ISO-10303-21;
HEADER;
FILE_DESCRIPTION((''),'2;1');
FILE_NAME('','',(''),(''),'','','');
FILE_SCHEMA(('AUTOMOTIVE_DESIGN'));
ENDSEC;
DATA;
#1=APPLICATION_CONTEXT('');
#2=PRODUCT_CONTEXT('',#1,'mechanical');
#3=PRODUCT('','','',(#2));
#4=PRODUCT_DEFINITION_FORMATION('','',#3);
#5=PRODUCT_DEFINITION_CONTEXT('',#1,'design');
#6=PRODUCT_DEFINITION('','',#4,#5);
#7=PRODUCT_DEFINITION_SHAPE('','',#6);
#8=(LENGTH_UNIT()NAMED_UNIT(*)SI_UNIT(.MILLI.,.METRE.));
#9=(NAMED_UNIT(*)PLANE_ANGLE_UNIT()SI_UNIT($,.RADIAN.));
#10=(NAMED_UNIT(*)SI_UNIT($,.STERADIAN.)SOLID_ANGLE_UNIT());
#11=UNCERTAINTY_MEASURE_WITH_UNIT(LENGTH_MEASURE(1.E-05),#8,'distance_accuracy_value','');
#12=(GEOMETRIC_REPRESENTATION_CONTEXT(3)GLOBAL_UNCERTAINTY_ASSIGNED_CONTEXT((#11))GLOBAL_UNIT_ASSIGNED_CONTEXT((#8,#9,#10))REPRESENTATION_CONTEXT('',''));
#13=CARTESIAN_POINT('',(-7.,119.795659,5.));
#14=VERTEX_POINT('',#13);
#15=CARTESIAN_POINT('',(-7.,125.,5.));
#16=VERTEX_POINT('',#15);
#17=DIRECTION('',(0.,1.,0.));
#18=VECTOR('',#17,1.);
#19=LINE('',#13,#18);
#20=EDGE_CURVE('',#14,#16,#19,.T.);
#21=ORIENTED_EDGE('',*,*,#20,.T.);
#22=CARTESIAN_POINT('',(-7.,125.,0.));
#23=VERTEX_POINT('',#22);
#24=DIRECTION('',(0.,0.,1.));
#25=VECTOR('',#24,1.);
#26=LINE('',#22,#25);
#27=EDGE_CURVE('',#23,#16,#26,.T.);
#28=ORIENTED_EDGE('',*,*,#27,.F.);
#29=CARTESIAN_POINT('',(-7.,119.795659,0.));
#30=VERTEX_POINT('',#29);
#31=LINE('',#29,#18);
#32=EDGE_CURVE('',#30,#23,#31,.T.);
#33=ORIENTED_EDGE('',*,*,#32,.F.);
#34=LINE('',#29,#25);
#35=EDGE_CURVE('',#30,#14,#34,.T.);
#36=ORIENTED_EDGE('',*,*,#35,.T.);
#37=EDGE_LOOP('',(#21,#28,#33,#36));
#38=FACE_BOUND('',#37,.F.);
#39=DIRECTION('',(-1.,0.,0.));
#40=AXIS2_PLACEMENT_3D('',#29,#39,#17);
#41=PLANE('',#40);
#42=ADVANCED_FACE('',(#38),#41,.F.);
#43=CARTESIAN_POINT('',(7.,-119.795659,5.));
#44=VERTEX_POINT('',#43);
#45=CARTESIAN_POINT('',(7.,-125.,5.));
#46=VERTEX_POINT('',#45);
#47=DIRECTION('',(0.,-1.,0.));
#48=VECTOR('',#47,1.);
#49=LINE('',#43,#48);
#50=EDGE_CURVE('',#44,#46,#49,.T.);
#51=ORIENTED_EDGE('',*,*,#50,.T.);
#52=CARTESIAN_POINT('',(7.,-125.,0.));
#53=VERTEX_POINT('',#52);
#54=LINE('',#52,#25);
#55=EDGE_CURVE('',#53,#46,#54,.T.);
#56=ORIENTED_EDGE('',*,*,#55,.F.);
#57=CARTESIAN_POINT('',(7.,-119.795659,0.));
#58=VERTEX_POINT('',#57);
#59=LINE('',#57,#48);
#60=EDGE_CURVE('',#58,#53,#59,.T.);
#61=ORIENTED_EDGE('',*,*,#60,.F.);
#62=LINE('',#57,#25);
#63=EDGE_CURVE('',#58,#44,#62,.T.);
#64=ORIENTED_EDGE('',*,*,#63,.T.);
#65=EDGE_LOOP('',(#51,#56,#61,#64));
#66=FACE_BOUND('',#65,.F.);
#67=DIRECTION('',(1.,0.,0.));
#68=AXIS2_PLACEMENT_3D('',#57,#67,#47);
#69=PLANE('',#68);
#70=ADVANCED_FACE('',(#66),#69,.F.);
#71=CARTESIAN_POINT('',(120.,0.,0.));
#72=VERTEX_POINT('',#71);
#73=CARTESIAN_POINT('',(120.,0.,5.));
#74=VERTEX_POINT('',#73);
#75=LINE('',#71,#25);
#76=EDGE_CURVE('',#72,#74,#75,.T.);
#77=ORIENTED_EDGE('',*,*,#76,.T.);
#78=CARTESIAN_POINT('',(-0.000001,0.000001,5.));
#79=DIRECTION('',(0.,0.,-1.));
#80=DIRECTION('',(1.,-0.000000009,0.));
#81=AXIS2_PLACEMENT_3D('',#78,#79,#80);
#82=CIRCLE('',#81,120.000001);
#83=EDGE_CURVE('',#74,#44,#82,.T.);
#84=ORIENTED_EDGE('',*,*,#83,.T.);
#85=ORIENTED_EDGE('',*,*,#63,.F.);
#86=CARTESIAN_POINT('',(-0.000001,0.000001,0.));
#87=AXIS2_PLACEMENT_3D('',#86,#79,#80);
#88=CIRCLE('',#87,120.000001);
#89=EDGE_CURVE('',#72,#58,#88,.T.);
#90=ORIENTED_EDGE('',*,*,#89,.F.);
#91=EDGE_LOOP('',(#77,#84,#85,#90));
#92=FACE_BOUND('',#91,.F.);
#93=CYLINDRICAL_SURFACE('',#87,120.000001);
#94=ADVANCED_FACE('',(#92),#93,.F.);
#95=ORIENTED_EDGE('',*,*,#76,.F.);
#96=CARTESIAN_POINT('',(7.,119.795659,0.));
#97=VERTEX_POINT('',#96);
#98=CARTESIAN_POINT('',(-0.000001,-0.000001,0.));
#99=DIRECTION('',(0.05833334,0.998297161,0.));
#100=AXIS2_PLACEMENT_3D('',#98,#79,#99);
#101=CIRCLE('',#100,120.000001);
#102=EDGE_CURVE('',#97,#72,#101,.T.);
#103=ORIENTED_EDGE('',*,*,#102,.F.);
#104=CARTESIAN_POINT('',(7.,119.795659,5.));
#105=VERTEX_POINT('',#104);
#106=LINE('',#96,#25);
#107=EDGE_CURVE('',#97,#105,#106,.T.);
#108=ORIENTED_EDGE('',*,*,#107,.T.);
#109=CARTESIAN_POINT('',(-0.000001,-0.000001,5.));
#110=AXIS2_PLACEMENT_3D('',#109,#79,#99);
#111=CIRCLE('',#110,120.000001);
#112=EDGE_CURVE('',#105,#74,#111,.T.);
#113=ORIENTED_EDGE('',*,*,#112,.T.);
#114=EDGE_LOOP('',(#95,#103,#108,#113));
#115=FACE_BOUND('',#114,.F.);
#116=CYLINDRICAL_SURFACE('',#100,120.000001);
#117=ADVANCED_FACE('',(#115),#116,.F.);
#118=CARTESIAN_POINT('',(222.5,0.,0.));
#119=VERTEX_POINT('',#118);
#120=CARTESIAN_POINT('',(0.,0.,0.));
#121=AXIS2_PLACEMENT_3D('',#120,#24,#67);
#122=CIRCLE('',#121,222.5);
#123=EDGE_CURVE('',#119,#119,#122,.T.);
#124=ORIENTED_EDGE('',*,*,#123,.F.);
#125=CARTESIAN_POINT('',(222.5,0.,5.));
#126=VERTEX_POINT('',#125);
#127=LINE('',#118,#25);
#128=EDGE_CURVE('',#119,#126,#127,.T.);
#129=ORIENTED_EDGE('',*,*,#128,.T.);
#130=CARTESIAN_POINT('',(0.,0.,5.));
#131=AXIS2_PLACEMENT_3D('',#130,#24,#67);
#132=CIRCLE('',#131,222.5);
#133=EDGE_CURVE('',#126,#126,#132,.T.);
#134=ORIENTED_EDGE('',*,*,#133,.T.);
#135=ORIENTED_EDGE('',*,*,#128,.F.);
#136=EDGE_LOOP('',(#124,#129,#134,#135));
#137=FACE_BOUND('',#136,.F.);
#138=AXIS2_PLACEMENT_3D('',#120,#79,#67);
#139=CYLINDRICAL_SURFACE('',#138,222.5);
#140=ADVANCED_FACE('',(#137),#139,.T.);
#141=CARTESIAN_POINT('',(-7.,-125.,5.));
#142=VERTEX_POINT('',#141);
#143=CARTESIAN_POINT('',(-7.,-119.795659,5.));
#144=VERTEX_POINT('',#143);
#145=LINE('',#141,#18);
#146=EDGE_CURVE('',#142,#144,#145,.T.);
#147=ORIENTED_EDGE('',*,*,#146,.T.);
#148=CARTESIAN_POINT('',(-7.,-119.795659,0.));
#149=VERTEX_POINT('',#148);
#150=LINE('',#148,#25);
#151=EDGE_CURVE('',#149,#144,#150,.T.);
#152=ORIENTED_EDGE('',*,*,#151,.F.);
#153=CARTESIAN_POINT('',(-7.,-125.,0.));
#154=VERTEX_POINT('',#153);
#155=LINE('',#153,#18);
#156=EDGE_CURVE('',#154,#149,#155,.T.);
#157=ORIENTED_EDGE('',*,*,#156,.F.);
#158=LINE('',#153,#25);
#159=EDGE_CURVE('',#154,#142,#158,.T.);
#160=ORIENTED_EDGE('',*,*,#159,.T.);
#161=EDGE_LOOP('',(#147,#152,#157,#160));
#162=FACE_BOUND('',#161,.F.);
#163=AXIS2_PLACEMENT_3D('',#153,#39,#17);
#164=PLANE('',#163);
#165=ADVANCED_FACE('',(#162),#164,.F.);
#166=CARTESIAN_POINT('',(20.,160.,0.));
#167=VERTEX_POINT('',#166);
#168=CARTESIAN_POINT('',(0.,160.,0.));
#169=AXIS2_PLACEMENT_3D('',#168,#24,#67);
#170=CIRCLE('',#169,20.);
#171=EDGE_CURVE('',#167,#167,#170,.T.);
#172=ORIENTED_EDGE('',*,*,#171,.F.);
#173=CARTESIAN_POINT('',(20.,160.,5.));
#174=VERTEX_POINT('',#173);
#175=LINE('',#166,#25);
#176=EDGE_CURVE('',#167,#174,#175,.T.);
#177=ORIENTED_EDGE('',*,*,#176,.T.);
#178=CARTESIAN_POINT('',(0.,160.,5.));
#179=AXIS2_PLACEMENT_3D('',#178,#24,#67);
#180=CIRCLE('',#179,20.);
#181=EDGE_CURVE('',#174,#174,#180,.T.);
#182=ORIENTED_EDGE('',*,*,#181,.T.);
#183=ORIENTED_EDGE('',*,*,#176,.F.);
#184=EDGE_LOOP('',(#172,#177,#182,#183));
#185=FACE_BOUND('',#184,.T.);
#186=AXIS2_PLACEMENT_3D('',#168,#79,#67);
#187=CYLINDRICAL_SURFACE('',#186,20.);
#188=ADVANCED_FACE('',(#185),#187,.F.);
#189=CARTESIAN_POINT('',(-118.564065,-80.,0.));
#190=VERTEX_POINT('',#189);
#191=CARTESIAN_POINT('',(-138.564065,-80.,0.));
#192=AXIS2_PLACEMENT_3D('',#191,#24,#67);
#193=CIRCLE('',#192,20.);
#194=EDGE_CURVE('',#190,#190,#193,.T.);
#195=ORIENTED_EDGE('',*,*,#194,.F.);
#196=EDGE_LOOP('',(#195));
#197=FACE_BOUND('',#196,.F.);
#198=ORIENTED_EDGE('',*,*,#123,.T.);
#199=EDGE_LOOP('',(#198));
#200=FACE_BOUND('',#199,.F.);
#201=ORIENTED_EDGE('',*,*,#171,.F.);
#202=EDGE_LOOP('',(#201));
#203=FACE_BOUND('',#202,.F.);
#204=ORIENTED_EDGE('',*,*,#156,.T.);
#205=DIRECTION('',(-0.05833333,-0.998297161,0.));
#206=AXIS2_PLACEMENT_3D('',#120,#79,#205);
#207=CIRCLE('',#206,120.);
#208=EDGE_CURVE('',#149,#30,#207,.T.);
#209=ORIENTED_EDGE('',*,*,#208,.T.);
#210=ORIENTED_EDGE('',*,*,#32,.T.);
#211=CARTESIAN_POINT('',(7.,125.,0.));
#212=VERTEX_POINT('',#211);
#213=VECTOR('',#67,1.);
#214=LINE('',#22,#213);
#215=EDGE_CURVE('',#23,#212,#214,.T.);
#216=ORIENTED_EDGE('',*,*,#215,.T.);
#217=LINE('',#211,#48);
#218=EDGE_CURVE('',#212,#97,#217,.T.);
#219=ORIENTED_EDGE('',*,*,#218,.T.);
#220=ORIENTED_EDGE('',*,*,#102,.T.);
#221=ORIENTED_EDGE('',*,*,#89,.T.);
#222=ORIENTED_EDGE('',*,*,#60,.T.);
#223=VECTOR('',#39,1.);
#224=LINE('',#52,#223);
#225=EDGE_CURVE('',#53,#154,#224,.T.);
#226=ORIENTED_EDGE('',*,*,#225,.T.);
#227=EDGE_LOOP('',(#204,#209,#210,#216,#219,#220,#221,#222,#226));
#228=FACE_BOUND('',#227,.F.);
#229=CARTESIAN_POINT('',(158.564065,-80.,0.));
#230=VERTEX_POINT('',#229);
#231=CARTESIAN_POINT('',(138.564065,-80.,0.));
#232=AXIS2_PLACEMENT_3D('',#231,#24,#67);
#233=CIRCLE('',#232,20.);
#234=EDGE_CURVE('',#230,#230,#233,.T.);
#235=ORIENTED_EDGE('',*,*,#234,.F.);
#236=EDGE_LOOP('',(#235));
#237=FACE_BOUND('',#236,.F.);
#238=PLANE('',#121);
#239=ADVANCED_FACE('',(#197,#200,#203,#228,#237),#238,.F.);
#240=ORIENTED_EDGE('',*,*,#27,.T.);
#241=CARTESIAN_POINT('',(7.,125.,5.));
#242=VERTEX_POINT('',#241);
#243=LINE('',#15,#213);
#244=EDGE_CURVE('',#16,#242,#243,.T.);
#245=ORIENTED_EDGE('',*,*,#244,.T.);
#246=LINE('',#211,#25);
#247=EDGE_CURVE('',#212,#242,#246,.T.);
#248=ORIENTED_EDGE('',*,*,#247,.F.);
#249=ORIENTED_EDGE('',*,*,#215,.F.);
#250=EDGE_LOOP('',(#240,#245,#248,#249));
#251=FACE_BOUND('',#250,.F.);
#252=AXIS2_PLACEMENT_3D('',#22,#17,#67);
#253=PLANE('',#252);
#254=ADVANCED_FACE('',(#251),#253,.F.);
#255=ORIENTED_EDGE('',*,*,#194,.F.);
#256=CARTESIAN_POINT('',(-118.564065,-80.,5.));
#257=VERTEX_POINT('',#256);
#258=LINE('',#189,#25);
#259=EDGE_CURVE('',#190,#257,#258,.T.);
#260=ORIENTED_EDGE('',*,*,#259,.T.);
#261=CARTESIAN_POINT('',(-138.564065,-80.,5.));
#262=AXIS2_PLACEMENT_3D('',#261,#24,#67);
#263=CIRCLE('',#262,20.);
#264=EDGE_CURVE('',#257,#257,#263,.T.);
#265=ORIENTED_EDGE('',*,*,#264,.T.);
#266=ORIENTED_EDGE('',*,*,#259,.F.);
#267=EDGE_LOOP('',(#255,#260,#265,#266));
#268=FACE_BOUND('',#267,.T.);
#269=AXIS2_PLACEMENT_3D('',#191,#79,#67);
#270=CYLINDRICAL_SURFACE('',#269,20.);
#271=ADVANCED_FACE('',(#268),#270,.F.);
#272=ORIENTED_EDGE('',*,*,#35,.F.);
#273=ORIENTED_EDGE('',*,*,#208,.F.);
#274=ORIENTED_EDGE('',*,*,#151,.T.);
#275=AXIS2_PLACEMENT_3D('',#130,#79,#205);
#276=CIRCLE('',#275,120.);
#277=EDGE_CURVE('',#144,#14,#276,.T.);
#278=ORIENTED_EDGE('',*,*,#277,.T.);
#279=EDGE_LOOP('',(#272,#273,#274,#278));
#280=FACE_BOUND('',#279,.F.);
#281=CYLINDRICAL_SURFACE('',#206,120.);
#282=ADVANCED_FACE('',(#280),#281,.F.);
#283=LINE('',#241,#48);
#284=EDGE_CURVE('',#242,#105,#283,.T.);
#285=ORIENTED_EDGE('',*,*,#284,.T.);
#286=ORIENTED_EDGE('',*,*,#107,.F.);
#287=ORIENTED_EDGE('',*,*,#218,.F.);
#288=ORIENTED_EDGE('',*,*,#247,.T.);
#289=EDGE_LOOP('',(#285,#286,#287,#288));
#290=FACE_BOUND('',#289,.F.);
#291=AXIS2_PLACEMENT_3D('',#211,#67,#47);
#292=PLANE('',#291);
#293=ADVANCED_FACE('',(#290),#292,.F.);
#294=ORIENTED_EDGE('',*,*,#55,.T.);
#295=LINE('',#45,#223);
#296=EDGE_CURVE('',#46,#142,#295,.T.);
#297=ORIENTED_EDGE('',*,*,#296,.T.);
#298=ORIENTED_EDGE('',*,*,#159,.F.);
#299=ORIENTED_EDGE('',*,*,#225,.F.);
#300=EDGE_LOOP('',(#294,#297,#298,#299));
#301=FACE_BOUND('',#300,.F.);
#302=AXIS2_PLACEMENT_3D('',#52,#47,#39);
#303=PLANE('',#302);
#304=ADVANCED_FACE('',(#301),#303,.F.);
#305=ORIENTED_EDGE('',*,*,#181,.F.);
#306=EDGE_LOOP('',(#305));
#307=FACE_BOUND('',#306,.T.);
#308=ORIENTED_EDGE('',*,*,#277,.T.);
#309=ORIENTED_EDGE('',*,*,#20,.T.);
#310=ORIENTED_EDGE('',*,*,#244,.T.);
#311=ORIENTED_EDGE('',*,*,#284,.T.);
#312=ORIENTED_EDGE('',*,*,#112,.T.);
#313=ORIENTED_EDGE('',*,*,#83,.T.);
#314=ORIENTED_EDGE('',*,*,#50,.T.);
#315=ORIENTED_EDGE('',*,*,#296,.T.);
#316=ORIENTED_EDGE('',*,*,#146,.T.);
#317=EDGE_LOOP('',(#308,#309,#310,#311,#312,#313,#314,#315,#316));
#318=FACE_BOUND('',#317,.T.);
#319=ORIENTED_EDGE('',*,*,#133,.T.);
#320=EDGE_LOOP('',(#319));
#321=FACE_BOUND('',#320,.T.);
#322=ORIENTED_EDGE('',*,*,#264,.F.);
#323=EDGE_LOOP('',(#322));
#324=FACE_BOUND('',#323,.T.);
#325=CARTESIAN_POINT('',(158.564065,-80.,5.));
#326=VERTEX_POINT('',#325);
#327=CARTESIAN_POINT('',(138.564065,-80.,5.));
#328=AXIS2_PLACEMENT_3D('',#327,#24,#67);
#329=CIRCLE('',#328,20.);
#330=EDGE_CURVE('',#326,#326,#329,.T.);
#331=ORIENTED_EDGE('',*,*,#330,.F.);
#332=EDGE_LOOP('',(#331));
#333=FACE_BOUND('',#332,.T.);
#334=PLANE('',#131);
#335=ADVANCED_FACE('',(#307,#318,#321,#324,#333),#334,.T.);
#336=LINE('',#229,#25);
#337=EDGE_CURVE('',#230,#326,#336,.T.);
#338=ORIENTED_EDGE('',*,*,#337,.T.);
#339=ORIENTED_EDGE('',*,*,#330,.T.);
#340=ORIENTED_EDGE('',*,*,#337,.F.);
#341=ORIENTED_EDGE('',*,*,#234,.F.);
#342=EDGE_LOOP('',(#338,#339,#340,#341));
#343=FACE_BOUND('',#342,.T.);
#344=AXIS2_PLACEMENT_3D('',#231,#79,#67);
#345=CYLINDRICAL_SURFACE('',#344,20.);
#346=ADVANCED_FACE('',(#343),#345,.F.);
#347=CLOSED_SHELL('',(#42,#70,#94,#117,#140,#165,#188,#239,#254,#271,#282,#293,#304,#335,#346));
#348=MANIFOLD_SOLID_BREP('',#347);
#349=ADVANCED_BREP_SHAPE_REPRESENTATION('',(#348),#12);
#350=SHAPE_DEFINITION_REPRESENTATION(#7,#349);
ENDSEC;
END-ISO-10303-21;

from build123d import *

# Parameters (mm, degrees)
F0_R     = 222.5
F0_R_2   = 20
F1_DEPTH = 5


with BuildPart() as f1:
    # F0 (on Top) → F1 (new body)
    with BuildSketch(Plane.XY):
        Circle(F0_R)
        with Locations((-138.564065, -80)):
            Circle(F0_R_2, mode=Mode.SUBTRACT)
        with Locations((138.564065, -80)):
            Circle(F0_R_2, mode=Mode.SUBTRACT)
        with BuildLine():
            ThreePointArc((7, 119.795659), (87.292611, 82.340755), (120, 0))
            ThreePointArc((120, 0), (87.292611, -82.340755), (7, -119.795659))
            Line((7, -119.795659), (7, -125))
            Line((7, -125), (-7, -125))
            Line((-7, -125), (-7, -119.795659))
            ThreePointArc((-7, -119.795659), (-120, 0), (-7, 119.795659))
            Line((-7, 119.795659), (-7, 125))
            Line((-7, 125), (7, 125))
            Line((7, 125), (7, 119.795659))
        make_face(mode=Mode.SUBTRACT)
        with Locations((0, 160)):
            Circle(F0_R_2, mode=Mode.SUBTRACT)
    extrude(amount=F1_DEPTH)


solid = f1.part
